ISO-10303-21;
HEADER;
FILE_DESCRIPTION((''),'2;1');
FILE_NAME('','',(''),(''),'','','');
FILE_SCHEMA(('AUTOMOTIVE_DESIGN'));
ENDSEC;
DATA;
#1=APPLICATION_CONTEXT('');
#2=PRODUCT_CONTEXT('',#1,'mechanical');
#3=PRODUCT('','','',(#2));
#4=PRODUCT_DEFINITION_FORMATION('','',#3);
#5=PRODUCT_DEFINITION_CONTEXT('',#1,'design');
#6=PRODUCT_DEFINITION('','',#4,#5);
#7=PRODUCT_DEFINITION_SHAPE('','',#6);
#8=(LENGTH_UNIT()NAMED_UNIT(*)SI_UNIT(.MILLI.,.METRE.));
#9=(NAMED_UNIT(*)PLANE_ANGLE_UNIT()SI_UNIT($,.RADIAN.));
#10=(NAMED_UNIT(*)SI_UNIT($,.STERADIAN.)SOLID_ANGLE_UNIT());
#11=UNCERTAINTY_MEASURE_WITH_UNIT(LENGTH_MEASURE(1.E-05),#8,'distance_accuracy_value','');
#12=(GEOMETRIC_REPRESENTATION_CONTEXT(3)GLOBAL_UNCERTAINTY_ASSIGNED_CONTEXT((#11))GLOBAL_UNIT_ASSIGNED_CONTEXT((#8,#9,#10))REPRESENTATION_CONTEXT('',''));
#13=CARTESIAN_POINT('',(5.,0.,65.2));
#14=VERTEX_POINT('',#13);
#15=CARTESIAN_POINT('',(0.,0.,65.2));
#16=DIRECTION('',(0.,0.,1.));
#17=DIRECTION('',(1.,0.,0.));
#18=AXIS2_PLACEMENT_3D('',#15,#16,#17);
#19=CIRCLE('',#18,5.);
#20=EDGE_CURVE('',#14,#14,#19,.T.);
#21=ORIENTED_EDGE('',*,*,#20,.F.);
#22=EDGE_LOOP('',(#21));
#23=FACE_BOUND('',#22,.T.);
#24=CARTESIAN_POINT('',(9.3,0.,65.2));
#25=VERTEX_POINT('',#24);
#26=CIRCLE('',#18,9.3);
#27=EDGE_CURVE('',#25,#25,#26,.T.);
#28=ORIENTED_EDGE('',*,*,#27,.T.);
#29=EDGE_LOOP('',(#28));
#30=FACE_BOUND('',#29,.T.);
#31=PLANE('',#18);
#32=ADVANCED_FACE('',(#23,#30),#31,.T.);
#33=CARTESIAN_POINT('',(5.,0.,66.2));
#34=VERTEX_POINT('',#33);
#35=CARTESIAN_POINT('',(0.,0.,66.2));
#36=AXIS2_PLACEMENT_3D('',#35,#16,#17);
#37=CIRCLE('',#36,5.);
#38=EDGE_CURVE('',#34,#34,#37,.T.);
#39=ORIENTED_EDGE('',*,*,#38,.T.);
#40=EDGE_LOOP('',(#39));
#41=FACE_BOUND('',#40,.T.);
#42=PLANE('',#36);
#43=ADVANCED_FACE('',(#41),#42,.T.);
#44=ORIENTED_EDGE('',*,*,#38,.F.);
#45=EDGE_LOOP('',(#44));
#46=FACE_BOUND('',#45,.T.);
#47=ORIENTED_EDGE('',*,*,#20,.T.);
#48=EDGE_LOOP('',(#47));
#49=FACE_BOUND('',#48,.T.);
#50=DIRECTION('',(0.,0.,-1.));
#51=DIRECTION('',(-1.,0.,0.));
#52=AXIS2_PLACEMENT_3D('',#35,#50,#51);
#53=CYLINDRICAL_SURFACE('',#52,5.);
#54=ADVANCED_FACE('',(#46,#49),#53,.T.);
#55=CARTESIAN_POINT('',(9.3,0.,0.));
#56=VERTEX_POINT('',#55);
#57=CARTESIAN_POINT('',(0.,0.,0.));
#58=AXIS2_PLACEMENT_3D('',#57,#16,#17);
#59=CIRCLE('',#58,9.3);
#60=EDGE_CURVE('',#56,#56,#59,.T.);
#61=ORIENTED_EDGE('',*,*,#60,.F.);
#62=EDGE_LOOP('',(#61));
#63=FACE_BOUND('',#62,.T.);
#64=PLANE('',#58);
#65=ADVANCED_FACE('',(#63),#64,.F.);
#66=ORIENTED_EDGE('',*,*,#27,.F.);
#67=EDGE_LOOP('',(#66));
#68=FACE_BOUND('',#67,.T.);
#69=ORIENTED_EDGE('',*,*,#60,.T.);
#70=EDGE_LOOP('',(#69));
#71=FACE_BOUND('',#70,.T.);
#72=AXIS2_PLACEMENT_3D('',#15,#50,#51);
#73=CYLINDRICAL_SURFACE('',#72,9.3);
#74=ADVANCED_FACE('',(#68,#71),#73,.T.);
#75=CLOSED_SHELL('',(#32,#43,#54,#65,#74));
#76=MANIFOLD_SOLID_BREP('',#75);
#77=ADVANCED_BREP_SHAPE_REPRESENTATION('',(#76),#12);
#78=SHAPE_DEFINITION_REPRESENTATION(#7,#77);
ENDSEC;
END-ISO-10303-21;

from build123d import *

# Parameters (mm, degrees)
SKETCH1_R           = 9.3
BOSS_EXTRUDE1_DEPTH = 65.2
SKETCH2_R           = 5
BOSS_EXTRUDE2_DEPTH = 1


with BuildPart() as part:
    # Sketch1 → Boss-Extrude1 (new body)
    with BuildSketch(Plane.XY):
        Circle(SKETCH1_R)
    extrude(amount=BOSS_EXTRUDE1_DEPTH)

    # Sketch2 → Boss-Extrude2 (add)
    with BuildSketch(Plane.XY.offset(65.2)):
        Circle(SKETCH2_R)
    extrude(amount=BOSS_EXTRUDE2_DEPTH)


solid = part.part
